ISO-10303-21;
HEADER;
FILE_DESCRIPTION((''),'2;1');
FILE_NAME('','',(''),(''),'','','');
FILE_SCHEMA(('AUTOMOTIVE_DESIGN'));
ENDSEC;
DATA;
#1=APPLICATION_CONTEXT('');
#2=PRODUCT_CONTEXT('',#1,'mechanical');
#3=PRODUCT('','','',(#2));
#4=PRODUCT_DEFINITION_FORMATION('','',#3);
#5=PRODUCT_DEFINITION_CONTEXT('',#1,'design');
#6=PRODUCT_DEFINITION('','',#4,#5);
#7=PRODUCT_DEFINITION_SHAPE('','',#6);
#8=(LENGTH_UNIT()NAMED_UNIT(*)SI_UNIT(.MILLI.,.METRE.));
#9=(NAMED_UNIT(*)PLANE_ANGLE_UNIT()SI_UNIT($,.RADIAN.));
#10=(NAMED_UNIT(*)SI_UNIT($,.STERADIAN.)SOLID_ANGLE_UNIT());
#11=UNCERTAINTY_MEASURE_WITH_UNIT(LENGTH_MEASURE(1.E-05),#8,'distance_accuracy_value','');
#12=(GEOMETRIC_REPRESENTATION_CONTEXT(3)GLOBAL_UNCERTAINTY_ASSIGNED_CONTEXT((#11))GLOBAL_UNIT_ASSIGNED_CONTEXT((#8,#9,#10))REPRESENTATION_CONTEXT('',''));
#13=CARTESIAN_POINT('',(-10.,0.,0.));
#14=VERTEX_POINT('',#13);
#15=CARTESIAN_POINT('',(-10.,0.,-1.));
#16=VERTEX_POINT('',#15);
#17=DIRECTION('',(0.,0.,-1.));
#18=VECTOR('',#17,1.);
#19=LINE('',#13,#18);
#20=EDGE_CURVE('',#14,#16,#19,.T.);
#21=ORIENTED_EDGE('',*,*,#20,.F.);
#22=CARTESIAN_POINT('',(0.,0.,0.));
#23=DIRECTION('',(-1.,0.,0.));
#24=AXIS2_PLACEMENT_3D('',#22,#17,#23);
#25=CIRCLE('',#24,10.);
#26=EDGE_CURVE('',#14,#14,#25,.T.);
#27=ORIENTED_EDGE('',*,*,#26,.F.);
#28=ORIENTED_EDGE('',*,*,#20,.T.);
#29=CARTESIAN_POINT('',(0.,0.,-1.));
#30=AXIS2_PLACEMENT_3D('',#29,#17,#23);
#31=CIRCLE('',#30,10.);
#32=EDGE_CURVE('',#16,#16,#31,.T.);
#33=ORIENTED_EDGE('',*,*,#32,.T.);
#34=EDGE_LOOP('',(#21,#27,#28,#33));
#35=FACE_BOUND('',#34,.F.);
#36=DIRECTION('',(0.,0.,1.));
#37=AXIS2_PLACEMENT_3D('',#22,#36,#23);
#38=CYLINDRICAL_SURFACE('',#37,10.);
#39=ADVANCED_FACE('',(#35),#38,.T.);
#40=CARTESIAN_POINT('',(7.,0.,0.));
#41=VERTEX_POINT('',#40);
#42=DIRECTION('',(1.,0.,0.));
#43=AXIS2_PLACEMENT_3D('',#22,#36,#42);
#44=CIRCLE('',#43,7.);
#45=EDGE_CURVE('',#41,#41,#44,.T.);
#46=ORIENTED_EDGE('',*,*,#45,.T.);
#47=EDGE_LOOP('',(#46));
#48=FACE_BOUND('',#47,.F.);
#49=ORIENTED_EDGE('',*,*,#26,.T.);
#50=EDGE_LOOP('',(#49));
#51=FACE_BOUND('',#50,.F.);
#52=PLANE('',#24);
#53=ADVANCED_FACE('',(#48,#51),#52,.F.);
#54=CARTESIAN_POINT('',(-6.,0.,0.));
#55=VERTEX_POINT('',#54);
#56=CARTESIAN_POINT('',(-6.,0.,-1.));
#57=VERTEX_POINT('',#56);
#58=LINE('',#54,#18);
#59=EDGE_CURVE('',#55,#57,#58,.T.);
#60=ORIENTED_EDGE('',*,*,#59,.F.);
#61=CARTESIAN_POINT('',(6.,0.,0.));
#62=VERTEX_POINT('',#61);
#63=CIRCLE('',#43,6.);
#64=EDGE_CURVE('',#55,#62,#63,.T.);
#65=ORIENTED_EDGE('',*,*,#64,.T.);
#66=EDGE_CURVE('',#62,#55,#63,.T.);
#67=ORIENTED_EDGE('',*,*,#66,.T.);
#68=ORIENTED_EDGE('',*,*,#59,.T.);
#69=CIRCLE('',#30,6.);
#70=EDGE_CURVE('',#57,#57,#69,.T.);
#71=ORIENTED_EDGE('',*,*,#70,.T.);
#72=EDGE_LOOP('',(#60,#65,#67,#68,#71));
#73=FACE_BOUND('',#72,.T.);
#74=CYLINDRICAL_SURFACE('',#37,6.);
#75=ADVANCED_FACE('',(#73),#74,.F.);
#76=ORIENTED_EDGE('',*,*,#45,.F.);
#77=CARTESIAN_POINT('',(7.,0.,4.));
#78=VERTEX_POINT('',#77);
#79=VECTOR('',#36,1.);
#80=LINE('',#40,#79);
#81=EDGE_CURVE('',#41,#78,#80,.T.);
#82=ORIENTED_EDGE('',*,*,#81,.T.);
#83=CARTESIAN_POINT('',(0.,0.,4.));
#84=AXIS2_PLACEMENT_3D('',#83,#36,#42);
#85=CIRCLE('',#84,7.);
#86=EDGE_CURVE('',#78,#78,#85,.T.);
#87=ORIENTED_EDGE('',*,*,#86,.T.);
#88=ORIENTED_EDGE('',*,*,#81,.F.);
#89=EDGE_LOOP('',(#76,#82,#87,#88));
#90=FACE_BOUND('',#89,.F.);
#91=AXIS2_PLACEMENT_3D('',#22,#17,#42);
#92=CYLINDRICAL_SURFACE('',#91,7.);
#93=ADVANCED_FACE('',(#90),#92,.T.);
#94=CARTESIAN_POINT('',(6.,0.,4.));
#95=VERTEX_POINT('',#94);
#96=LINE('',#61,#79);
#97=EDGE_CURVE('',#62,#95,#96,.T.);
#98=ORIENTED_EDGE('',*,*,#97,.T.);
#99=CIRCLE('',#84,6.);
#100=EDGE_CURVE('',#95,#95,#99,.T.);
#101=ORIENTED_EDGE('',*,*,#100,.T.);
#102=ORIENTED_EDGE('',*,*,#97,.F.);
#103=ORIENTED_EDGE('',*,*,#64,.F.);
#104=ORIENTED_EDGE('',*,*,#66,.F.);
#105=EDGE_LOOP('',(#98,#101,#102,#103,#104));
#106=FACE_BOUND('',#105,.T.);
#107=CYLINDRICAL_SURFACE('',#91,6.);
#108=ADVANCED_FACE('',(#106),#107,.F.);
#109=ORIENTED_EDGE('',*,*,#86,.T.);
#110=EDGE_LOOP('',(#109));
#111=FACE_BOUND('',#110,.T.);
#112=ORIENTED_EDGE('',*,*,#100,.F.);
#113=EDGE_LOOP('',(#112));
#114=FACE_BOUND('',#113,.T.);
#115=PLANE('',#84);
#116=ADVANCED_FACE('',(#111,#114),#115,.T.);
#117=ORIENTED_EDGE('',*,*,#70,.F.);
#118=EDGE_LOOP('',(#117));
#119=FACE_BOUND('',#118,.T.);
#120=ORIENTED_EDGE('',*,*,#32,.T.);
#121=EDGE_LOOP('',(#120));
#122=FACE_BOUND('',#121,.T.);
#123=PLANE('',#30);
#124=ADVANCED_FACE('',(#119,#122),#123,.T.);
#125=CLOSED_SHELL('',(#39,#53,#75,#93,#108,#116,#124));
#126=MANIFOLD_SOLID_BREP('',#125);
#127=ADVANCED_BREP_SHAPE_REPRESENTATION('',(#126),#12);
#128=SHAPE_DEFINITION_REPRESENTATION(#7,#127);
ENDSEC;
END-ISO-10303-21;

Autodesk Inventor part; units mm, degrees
ref_plane "YZ Plane" through (0, 0, 0) normal (1, 0, 0) x (0, 1, 0)
ref_plane "XZ Plane" through (0, 0, 0) normal (0, 1, 0) x (-1, 0, 0)
ref_plane "XY Plane" through (0, 0, 0) normal (0, 0, 1) x (1, 0, 0)
sketch "スケッチ1" plane through (0, 0, 0) normal (0, 0, 1) x (1, 0, 0)
  circle A0 centre (0, 0) radius 6
  circle A1 centre (0, 0) radius 7
  dimension "d0" = 12
  dimension "d1" = 14
extrude "押し出し1" add sketch "スケッチ1" along normal blind 4
sketch "スケッチ2" plane through (0, 0, 0) normal (0, 0, -1) x (-1, 0, 0)
  circle A0 centre (0, 0) radius 7 projected
  circle A1 centre (0, 0) radius 6 projected
  circle A2 centre (0, 0) radius 10
  dimension "d4" = 20
extrude "押し出し2" add sketch "スケッチ2" along normal blind 1 contours A0 | A2
properties part number "オイレスフランジ付き12142004" material "アセタール樹脂、黒"
